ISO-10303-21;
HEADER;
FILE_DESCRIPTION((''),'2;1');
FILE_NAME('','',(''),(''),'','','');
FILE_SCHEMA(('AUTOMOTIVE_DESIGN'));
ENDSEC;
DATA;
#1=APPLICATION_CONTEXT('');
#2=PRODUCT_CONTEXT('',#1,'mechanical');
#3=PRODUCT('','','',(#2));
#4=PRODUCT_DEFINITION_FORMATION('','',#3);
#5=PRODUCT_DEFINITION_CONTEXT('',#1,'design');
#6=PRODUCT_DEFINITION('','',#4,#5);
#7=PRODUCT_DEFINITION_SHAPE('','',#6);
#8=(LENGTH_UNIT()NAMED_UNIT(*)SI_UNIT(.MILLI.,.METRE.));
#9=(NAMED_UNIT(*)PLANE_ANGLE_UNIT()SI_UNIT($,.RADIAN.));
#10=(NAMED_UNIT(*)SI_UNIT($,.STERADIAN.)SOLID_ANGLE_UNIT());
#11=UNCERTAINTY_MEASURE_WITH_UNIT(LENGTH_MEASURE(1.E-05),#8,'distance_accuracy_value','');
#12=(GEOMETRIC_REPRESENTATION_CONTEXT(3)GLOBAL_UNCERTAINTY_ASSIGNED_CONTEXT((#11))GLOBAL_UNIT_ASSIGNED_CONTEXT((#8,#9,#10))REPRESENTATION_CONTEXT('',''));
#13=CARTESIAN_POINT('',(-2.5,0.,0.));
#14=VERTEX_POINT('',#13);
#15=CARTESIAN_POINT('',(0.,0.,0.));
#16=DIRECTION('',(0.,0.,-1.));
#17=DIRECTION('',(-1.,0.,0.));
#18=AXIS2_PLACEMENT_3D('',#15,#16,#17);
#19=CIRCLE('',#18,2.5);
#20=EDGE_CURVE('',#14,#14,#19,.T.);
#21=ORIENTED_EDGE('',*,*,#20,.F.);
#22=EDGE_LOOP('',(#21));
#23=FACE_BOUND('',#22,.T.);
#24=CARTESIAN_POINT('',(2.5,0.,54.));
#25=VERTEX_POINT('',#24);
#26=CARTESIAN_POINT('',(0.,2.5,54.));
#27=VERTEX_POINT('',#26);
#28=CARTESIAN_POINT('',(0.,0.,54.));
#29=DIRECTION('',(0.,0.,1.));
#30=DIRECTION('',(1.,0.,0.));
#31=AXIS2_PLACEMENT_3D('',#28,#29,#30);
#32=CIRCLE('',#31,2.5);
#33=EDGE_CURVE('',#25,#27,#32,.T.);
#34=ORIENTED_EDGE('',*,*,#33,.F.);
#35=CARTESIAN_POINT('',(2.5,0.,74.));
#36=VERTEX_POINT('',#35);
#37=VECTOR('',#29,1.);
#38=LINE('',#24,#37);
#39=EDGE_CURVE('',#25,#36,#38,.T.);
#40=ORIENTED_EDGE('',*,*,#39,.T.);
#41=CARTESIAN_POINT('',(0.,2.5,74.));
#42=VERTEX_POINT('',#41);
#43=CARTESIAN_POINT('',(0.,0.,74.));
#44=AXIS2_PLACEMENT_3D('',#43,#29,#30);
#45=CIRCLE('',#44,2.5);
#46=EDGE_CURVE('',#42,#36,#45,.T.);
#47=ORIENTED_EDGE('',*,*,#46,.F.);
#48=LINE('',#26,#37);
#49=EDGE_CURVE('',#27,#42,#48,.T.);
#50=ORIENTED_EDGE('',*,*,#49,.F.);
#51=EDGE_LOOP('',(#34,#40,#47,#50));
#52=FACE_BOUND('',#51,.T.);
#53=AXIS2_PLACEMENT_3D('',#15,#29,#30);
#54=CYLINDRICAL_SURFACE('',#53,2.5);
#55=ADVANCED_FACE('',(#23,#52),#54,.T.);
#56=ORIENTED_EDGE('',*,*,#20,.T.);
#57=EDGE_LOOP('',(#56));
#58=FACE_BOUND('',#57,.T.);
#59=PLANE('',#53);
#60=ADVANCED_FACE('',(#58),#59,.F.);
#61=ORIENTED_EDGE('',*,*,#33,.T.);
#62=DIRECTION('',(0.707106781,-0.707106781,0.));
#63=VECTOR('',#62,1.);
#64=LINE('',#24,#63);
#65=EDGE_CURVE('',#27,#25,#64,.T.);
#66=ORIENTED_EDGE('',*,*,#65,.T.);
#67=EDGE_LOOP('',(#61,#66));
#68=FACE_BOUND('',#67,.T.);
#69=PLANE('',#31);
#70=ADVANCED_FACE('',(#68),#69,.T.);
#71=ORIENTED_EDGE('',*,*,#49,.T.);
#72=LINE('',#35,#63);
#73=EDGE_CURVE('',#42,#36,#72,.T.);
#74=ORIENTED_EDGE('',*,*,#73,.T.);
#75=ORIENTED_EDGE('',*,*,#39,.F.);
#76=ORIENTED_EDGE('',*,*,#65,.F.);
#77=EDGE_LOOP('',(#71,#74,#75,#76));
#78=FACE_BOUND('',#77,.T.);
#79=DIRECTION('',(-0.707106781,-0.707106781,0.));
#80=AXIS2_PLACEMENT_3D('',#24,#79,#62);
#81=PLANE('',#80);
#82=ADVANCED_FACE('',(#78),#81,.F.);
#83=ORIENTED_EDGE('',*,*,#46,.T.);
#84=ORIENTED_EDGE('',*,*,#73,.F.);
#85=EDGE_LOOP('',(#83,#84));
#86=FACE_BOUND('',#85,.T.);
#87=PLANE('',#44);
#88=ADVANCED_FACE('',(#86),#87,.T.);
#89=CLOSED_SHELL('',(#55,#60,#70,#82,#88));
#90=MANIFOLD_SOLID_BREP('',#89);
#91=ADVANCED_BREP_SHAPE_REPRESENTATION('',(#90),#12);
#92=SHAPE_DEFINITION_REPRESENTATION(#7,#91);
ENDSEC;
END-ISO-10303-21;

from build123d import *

# Parameters (mm, degrees)
SKETCH1_W                = 42.3
SKETCH1_H                = 42.3
BOSS_EXTRUDE1_DEPTH      = 50
SKETCH2_R                = 11
BOSS_EXTRUDE2_DEPTH      = 2
SKETCH3_R                = 1.75
CUT_EXTRUDE1_DEPTH       = 51
CUT_EXTRUDE2_DEPTH       = 51
SKETCH5_R                = 2.5
CUT_EXTRUDE3_DEPTH       = 53
SKETCH6_R                = 2.5
BOSS_EXTRUDE3_DEPTH      = 22
BOSS_EXTRUDE3_DEPTH_BACK = 52
SKETCH7_R                = 5
SKETCH7_R_2              = 2.5
CUT_EXTRUDE4_DEPTH       = 5
CUT_EXTRUDE5_DEPTH       = 20
SKETCH9_OUTSIDE_W        = 63.332
SKETCH9_OUTSIDE_H        = 63.332
SKETCH9_OUTSIDE_R        = 2.5
CUT_EXTRUDE6_DEPTH       = 75


with BuildPart() as part:
    # Sketch1 → Boss-Extrude1 (new body)
    with BuildSketch(Plane.XY):
        Rectangle(SKETCH1_W, SKETCH1_H)
    extrude(amount=BOSS_EXTRUDE1_DEPTH)

    # Sketch2 → Boss-Extrude2 (add)
    with BuildSketch(Plane.XY.offset(50)):
        Circle(SKETCH2_R)
    extrude(amount=BOSS_EXTRUDE2_DEPTH)

    # Sketch3 → Cut-Extrude1 (cut, through all)
    with BuildSketch(Plane.XY.offset(50)):
        with Locations((-16.55, 16.55)):
            Circle(SKETCH3_R)
        with Locations((16.55, 16.55)):
            Circle(SKETCH3_R)
        with Locations((16.55, -16.55)):
            Circle(SKETCH3_R)
        with Locations((-16.55, -16.55)):
            Circle(SKETCH3_R)
    extrude(amount=-CUT_EXTRUDE1_DEPTH, mode=Mode.SUBTRACT)

    # Sketch4 → Cut-Extrude2 (cut, through all)
    with BuildSketch(Plane.XY.offset(50)):
        Polygon((-21.15, 17.897308807), (-21.15, 21.15), (-17.897308807, 21.15), align=None)
        Polygon((17.897308807, 21.15), (21.15, 21.15), (21.15, 17.897308807), align=None)
        Polygon((21.15, -17.897308807), (21.15, -21.15), (17.897308807, -21.15), align=None)
        Polygon((-17.897308807, -21.15), (-21.15, -21.15), (-21.15, -17.897308807), align=None)
    extrude(amount=-CUT_EXTRUDE2_DEPTH, mode=Mode.SUBTRACT)

    # Sketch5 → Cut-Extrude3 (cut, through all)
    with BuildSketch(Plane.XY.offset(52)):
        Circle(SKETCH5_R)
    extrude(amount=-CUT_EXTRUDE3_DEPTH, mode=Mode.SUBTRACT)

    # Sketch6 → Boss-Extrude3 (add, two sides)
    with BuildSketch(Plane.XY.offset(52)) as boss_extrude3_sk:
        Circle(SKETCH6_R)
    extrude(amount=BOSS_EXTRUDE3_DEPTH)
    extrude(boss_extrude3_sk.sketch, amount=-BOSS_EXTRUDE3_DEPTH_BACK)

    # Sketch7 → Cut-Extrude4 (cut)
    with BuildSketch(Plane(origin=(0, 0, 0), x_dir=(-1, 0, 0), z_dir=(0, 0, -1))):
        Circle(SKETCH7_R)
        Circle(SKETCH7_R_2, mode=Mode.SUBTRACT)
    extrude(amount=-CUT_EXTRUDE4_DEPTH, mode=Mode.SUBTRACT)

    # Sketch8 → Cut-Extrude5 (cut)
    with BuildSketch(Plane.XY.offset(74)):
        with BuildLine():
            Line((2.5, 0), (0, 2.5))
            ThreePointArc((0, 2.5), (1.767766953, 1.767766953), (2.5, 0))
        make_face()
    extrude(amount=-CUT_EXTRUDE5_DEPTH, mode=Mode.SUBTRACT)

    # Sketch9 outside → Cut-Extrude6 (cut, through all)
    with BuildSketch(Plane.XY.offset(74)):
        Rectangle(SKETCH9_OUTSIDE_W, SKETCH9_OUTSIDE_H)
        Circle(SKETCH9_OUTSIDE_R, mode=Mode.SUBTRACT)
    extrude(amount=-CUT_EXTRUDE6_DEPTH, mode=Mode.SUBTRACT)


solid = part.part
